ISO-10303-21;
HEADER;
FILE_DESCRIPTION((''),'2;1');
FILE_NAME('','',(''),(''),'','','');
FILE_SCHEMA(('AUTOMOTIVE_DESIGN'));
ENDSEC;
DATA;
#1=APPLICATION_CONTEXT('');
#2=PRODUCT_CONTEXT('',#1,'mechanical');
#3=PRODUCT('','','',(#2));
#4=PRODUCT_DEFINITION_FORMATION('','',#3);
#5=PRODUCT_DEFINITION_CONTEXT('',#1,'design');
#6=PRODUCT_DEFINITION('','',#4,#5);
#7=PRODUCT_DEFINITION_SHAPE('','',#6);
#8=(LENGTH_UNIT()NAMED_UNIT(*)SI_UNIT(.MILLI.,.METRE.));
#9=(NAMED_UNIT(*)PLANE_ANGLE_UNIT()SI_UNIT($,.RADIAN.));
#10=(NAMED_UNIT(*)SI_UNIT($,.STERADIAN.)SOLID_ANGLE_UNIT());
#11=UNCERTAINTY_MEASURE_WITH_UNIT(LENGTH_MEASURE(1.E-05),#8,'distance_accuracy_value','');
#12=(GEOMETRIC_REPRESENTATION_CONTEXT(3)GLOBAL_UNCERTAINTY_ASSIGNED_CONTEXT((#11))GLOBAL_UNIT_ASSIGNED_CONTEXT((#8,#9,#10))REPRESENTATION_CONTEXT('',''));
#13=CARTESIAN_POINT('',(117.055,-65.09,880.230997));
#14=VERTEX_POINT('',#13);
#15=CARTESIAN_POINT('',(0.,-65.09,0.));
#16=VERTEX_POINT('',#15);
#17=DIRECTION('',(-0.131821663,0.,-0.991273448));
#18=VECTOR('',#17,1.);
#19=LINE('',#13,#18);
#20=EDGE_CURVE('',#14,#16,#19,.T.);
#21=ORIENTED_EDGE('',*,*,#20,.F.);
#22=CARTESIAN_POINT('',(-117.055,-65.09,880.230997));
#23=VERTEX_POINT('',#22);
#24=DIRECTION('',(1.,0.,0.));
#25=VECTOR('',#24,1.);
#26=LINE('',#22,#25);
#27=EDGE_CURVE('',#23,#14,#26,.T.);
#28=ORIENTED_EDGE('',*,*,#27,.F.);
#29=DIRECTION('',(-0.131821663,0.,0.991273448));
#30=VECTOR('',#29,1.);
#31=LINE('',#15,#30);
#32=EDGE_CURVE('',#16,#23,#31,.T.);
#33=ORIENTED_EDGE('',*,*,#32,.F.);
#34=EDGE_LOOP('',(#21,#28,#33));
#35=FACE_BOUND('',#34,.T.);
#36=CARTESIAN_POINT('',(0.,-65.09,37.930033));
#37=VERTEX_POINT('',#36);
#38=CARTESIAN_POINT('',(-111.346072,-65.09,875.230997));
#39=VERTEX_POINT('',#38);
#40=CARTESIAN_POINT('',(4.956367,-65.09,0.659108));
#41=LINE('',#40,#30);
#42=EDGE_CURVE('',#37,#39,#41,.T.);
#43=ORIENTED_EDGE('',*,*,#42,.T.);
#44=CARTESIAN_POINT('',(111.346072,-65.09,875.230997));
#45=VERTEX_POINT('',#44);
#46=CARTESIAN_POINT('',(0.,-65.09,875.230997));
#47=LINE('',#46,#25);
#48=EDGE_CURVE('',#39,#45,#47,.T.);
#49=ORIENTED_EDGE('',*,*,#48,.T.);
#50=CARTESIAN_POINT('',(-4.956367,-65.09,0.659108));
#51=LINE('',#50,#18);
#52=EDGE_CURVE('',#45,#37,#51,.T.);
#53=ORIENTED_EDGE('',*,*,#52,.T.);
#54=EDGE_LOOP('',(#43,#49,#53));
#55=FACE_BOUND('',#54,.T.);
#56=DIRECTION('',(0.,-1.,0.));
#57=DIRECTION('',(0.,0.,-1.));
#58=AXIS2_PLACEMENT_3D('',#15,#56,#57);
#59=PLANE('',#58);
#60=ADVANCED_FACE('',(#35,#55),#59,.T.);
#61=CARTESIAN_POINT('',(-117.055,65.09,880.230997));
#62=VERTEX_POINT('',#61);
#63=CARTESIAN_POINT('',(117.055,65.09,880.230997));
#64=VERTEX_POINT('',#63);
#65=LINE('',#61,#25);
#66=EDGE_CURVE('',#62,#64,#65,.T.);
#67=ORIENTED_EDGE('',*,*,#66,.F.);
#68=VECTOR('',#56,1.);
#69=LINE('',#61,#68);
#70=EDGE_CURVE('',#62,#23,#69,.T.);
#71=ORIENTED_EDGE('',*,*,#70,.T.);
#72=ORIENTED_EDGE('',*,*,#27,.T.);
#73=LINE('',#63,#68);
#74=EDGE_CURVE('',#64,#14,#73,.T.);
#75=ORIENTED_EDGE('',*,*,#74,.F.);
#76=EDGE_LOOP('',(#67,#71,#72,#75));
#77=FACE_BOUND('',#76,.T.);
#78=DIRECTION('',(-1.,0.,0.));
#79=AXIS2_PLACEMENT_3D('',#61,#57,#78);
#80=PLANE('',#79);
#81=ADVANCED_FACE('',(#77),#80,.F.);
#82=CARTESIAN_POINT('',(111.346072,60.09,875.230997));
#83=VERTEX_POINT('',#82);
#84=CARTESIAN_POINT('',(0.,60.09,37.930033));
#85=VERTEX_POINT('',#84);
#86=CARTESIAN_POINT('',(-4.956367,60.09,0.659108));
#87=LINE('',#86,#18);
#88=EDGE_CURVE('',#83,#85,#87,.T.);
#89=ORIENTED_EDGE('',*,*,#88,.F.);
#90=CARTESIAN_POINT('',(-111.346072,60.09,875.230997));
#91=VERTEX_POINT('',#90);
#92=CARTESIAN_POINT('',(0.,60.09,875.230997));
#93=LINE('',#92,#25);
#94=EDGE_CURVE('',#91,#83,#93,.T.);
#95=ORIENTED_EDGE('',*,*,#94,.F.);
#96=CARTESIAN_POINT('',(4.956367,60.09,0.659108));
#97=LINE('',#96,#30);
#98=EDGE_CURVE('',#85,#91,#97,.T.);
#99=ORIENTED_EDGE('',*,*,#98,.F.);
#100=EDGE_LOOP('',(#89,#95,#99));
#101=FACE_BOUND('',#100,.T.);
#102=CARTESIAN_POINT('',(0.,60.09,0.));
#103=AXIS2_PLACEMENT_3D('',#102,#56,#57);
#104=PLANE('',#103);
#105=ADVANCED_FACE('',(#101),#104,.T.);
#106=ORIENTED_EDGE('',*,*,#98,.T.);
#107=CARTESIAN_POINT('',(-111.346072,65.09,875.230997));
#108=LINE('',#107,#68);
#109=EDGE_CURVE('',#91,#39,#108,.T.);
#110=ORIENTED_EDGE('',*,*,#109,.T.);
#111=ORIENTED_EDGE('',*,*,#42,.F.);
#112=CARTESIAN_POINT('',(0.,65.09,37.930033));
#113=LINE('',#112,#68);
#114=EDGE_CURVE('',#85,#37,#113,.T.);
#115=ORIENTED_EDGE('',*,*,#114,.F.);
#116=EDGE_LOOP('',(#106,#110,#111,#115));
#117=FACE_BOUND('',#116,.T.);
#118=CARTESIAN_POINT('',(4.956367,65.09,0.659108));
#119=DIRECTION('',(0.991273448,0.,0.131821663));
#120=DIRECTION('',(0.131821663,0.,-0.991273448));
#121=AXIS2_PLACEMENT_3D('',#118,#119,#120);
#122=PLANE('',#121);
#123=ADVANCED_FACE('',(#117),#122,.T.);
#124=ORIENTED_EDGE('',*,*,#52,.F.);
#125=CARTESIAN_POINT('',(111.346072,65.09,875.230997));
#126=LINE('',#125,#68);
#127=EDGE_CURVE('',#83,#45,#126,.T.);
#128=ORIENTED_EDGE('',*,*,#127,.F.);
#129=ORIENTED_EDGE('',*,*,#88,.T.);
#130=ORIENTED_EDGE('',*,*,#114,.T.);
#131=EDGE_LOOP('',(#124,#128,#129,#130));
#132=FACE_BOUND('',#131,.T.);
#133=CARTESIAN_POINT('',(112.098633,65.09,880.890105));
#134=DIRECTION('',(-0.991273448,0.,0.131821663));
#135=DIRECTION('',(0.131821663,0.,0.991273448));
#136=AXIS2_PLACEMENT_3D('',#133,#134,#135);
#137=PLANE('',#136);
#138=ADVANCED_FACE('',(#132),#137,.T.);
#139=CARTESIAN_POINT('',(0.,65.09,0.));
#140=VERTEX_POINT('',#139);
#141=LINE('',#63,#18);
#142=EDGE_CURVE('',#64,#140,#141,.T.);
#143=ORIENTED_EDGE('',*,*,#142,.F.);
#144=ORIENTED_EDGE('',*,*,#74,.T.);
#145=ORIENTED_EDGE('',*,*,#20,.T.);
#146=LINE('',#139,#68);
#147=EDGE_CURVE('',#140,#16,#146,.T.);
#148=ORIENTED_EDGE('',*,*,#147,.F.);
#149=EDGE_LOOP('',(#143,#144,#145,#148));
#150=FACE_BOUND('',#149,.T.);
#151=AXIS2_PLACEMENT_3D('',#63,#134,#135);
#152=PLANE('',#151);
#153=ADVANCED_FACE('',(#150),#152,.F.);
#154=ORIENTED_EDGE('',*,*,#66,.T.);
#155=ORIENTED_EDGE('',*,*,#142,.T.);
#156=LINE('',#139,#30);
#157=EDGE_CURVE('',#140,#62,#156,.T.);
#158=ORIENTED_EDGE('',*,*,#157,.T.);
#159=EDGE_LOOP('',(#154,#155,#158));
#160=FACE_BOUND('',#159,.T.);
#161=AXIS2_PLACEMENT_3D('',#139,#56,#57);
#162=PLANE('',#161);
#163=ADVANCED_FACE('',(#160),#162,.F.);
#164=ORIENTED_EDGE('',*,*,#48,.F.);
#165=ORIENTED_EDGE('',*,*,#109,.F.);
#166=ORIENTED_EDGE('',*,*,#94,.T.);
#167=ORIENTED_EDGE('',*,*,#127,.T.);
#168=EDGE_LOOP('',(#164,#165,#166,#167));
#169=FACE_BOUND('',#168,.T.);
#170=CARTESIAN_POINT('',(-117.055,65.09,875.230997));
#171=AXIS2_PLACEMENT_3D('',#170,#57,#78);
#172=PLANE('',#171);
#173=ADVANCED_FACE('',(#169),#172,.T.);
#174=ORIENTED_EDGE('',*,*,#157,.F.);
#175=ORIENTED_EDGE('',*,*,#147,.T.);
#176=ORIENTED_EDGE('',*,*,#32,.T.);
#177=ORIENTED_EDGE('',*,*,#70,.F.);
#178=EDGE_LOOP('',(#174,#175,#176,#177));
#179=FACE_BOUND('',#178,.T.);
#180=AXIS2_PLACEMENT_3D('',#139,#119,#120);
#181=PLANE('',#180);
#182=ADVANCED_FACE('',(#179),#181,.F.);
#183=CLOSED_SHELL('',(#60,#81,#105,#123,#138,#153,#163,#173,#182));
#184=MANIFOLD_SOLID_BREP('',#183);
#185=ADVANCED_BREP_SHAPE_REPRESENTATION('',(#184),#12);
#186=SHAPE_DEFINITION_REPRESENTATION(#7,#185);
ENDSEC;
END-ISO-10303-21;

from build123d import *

# Parameters (mm, degrees)
MAIN_EXTRUDE_DEPTH = 65.09
SHELL1_T           = -5


with BuildPart() as part:
    # Sketch1 → Main extrude (new, symmetric)
    with BuildSketch(Plane(origin=(0, 0, 0), x_dir=(1, 0, 0), z_dir=(0, 1, 0))):
        Polygon((0, 0), (-117.055, -880.2309966), (117.055, -880.2309966), align=None)
    extrude(amount=MAIN_EXTRUDE_DEPTH, both=True)

    # Shell1
    shell1_openings = [part.faces().sort_by_distance(p)[0] for p in [
        (0, -65.09, 586.8206644),
    ]]
    offset(amount=SHELL1_T, openings=shell1_openings, kind=Kind.INTERSECTION)


solid = part.part
